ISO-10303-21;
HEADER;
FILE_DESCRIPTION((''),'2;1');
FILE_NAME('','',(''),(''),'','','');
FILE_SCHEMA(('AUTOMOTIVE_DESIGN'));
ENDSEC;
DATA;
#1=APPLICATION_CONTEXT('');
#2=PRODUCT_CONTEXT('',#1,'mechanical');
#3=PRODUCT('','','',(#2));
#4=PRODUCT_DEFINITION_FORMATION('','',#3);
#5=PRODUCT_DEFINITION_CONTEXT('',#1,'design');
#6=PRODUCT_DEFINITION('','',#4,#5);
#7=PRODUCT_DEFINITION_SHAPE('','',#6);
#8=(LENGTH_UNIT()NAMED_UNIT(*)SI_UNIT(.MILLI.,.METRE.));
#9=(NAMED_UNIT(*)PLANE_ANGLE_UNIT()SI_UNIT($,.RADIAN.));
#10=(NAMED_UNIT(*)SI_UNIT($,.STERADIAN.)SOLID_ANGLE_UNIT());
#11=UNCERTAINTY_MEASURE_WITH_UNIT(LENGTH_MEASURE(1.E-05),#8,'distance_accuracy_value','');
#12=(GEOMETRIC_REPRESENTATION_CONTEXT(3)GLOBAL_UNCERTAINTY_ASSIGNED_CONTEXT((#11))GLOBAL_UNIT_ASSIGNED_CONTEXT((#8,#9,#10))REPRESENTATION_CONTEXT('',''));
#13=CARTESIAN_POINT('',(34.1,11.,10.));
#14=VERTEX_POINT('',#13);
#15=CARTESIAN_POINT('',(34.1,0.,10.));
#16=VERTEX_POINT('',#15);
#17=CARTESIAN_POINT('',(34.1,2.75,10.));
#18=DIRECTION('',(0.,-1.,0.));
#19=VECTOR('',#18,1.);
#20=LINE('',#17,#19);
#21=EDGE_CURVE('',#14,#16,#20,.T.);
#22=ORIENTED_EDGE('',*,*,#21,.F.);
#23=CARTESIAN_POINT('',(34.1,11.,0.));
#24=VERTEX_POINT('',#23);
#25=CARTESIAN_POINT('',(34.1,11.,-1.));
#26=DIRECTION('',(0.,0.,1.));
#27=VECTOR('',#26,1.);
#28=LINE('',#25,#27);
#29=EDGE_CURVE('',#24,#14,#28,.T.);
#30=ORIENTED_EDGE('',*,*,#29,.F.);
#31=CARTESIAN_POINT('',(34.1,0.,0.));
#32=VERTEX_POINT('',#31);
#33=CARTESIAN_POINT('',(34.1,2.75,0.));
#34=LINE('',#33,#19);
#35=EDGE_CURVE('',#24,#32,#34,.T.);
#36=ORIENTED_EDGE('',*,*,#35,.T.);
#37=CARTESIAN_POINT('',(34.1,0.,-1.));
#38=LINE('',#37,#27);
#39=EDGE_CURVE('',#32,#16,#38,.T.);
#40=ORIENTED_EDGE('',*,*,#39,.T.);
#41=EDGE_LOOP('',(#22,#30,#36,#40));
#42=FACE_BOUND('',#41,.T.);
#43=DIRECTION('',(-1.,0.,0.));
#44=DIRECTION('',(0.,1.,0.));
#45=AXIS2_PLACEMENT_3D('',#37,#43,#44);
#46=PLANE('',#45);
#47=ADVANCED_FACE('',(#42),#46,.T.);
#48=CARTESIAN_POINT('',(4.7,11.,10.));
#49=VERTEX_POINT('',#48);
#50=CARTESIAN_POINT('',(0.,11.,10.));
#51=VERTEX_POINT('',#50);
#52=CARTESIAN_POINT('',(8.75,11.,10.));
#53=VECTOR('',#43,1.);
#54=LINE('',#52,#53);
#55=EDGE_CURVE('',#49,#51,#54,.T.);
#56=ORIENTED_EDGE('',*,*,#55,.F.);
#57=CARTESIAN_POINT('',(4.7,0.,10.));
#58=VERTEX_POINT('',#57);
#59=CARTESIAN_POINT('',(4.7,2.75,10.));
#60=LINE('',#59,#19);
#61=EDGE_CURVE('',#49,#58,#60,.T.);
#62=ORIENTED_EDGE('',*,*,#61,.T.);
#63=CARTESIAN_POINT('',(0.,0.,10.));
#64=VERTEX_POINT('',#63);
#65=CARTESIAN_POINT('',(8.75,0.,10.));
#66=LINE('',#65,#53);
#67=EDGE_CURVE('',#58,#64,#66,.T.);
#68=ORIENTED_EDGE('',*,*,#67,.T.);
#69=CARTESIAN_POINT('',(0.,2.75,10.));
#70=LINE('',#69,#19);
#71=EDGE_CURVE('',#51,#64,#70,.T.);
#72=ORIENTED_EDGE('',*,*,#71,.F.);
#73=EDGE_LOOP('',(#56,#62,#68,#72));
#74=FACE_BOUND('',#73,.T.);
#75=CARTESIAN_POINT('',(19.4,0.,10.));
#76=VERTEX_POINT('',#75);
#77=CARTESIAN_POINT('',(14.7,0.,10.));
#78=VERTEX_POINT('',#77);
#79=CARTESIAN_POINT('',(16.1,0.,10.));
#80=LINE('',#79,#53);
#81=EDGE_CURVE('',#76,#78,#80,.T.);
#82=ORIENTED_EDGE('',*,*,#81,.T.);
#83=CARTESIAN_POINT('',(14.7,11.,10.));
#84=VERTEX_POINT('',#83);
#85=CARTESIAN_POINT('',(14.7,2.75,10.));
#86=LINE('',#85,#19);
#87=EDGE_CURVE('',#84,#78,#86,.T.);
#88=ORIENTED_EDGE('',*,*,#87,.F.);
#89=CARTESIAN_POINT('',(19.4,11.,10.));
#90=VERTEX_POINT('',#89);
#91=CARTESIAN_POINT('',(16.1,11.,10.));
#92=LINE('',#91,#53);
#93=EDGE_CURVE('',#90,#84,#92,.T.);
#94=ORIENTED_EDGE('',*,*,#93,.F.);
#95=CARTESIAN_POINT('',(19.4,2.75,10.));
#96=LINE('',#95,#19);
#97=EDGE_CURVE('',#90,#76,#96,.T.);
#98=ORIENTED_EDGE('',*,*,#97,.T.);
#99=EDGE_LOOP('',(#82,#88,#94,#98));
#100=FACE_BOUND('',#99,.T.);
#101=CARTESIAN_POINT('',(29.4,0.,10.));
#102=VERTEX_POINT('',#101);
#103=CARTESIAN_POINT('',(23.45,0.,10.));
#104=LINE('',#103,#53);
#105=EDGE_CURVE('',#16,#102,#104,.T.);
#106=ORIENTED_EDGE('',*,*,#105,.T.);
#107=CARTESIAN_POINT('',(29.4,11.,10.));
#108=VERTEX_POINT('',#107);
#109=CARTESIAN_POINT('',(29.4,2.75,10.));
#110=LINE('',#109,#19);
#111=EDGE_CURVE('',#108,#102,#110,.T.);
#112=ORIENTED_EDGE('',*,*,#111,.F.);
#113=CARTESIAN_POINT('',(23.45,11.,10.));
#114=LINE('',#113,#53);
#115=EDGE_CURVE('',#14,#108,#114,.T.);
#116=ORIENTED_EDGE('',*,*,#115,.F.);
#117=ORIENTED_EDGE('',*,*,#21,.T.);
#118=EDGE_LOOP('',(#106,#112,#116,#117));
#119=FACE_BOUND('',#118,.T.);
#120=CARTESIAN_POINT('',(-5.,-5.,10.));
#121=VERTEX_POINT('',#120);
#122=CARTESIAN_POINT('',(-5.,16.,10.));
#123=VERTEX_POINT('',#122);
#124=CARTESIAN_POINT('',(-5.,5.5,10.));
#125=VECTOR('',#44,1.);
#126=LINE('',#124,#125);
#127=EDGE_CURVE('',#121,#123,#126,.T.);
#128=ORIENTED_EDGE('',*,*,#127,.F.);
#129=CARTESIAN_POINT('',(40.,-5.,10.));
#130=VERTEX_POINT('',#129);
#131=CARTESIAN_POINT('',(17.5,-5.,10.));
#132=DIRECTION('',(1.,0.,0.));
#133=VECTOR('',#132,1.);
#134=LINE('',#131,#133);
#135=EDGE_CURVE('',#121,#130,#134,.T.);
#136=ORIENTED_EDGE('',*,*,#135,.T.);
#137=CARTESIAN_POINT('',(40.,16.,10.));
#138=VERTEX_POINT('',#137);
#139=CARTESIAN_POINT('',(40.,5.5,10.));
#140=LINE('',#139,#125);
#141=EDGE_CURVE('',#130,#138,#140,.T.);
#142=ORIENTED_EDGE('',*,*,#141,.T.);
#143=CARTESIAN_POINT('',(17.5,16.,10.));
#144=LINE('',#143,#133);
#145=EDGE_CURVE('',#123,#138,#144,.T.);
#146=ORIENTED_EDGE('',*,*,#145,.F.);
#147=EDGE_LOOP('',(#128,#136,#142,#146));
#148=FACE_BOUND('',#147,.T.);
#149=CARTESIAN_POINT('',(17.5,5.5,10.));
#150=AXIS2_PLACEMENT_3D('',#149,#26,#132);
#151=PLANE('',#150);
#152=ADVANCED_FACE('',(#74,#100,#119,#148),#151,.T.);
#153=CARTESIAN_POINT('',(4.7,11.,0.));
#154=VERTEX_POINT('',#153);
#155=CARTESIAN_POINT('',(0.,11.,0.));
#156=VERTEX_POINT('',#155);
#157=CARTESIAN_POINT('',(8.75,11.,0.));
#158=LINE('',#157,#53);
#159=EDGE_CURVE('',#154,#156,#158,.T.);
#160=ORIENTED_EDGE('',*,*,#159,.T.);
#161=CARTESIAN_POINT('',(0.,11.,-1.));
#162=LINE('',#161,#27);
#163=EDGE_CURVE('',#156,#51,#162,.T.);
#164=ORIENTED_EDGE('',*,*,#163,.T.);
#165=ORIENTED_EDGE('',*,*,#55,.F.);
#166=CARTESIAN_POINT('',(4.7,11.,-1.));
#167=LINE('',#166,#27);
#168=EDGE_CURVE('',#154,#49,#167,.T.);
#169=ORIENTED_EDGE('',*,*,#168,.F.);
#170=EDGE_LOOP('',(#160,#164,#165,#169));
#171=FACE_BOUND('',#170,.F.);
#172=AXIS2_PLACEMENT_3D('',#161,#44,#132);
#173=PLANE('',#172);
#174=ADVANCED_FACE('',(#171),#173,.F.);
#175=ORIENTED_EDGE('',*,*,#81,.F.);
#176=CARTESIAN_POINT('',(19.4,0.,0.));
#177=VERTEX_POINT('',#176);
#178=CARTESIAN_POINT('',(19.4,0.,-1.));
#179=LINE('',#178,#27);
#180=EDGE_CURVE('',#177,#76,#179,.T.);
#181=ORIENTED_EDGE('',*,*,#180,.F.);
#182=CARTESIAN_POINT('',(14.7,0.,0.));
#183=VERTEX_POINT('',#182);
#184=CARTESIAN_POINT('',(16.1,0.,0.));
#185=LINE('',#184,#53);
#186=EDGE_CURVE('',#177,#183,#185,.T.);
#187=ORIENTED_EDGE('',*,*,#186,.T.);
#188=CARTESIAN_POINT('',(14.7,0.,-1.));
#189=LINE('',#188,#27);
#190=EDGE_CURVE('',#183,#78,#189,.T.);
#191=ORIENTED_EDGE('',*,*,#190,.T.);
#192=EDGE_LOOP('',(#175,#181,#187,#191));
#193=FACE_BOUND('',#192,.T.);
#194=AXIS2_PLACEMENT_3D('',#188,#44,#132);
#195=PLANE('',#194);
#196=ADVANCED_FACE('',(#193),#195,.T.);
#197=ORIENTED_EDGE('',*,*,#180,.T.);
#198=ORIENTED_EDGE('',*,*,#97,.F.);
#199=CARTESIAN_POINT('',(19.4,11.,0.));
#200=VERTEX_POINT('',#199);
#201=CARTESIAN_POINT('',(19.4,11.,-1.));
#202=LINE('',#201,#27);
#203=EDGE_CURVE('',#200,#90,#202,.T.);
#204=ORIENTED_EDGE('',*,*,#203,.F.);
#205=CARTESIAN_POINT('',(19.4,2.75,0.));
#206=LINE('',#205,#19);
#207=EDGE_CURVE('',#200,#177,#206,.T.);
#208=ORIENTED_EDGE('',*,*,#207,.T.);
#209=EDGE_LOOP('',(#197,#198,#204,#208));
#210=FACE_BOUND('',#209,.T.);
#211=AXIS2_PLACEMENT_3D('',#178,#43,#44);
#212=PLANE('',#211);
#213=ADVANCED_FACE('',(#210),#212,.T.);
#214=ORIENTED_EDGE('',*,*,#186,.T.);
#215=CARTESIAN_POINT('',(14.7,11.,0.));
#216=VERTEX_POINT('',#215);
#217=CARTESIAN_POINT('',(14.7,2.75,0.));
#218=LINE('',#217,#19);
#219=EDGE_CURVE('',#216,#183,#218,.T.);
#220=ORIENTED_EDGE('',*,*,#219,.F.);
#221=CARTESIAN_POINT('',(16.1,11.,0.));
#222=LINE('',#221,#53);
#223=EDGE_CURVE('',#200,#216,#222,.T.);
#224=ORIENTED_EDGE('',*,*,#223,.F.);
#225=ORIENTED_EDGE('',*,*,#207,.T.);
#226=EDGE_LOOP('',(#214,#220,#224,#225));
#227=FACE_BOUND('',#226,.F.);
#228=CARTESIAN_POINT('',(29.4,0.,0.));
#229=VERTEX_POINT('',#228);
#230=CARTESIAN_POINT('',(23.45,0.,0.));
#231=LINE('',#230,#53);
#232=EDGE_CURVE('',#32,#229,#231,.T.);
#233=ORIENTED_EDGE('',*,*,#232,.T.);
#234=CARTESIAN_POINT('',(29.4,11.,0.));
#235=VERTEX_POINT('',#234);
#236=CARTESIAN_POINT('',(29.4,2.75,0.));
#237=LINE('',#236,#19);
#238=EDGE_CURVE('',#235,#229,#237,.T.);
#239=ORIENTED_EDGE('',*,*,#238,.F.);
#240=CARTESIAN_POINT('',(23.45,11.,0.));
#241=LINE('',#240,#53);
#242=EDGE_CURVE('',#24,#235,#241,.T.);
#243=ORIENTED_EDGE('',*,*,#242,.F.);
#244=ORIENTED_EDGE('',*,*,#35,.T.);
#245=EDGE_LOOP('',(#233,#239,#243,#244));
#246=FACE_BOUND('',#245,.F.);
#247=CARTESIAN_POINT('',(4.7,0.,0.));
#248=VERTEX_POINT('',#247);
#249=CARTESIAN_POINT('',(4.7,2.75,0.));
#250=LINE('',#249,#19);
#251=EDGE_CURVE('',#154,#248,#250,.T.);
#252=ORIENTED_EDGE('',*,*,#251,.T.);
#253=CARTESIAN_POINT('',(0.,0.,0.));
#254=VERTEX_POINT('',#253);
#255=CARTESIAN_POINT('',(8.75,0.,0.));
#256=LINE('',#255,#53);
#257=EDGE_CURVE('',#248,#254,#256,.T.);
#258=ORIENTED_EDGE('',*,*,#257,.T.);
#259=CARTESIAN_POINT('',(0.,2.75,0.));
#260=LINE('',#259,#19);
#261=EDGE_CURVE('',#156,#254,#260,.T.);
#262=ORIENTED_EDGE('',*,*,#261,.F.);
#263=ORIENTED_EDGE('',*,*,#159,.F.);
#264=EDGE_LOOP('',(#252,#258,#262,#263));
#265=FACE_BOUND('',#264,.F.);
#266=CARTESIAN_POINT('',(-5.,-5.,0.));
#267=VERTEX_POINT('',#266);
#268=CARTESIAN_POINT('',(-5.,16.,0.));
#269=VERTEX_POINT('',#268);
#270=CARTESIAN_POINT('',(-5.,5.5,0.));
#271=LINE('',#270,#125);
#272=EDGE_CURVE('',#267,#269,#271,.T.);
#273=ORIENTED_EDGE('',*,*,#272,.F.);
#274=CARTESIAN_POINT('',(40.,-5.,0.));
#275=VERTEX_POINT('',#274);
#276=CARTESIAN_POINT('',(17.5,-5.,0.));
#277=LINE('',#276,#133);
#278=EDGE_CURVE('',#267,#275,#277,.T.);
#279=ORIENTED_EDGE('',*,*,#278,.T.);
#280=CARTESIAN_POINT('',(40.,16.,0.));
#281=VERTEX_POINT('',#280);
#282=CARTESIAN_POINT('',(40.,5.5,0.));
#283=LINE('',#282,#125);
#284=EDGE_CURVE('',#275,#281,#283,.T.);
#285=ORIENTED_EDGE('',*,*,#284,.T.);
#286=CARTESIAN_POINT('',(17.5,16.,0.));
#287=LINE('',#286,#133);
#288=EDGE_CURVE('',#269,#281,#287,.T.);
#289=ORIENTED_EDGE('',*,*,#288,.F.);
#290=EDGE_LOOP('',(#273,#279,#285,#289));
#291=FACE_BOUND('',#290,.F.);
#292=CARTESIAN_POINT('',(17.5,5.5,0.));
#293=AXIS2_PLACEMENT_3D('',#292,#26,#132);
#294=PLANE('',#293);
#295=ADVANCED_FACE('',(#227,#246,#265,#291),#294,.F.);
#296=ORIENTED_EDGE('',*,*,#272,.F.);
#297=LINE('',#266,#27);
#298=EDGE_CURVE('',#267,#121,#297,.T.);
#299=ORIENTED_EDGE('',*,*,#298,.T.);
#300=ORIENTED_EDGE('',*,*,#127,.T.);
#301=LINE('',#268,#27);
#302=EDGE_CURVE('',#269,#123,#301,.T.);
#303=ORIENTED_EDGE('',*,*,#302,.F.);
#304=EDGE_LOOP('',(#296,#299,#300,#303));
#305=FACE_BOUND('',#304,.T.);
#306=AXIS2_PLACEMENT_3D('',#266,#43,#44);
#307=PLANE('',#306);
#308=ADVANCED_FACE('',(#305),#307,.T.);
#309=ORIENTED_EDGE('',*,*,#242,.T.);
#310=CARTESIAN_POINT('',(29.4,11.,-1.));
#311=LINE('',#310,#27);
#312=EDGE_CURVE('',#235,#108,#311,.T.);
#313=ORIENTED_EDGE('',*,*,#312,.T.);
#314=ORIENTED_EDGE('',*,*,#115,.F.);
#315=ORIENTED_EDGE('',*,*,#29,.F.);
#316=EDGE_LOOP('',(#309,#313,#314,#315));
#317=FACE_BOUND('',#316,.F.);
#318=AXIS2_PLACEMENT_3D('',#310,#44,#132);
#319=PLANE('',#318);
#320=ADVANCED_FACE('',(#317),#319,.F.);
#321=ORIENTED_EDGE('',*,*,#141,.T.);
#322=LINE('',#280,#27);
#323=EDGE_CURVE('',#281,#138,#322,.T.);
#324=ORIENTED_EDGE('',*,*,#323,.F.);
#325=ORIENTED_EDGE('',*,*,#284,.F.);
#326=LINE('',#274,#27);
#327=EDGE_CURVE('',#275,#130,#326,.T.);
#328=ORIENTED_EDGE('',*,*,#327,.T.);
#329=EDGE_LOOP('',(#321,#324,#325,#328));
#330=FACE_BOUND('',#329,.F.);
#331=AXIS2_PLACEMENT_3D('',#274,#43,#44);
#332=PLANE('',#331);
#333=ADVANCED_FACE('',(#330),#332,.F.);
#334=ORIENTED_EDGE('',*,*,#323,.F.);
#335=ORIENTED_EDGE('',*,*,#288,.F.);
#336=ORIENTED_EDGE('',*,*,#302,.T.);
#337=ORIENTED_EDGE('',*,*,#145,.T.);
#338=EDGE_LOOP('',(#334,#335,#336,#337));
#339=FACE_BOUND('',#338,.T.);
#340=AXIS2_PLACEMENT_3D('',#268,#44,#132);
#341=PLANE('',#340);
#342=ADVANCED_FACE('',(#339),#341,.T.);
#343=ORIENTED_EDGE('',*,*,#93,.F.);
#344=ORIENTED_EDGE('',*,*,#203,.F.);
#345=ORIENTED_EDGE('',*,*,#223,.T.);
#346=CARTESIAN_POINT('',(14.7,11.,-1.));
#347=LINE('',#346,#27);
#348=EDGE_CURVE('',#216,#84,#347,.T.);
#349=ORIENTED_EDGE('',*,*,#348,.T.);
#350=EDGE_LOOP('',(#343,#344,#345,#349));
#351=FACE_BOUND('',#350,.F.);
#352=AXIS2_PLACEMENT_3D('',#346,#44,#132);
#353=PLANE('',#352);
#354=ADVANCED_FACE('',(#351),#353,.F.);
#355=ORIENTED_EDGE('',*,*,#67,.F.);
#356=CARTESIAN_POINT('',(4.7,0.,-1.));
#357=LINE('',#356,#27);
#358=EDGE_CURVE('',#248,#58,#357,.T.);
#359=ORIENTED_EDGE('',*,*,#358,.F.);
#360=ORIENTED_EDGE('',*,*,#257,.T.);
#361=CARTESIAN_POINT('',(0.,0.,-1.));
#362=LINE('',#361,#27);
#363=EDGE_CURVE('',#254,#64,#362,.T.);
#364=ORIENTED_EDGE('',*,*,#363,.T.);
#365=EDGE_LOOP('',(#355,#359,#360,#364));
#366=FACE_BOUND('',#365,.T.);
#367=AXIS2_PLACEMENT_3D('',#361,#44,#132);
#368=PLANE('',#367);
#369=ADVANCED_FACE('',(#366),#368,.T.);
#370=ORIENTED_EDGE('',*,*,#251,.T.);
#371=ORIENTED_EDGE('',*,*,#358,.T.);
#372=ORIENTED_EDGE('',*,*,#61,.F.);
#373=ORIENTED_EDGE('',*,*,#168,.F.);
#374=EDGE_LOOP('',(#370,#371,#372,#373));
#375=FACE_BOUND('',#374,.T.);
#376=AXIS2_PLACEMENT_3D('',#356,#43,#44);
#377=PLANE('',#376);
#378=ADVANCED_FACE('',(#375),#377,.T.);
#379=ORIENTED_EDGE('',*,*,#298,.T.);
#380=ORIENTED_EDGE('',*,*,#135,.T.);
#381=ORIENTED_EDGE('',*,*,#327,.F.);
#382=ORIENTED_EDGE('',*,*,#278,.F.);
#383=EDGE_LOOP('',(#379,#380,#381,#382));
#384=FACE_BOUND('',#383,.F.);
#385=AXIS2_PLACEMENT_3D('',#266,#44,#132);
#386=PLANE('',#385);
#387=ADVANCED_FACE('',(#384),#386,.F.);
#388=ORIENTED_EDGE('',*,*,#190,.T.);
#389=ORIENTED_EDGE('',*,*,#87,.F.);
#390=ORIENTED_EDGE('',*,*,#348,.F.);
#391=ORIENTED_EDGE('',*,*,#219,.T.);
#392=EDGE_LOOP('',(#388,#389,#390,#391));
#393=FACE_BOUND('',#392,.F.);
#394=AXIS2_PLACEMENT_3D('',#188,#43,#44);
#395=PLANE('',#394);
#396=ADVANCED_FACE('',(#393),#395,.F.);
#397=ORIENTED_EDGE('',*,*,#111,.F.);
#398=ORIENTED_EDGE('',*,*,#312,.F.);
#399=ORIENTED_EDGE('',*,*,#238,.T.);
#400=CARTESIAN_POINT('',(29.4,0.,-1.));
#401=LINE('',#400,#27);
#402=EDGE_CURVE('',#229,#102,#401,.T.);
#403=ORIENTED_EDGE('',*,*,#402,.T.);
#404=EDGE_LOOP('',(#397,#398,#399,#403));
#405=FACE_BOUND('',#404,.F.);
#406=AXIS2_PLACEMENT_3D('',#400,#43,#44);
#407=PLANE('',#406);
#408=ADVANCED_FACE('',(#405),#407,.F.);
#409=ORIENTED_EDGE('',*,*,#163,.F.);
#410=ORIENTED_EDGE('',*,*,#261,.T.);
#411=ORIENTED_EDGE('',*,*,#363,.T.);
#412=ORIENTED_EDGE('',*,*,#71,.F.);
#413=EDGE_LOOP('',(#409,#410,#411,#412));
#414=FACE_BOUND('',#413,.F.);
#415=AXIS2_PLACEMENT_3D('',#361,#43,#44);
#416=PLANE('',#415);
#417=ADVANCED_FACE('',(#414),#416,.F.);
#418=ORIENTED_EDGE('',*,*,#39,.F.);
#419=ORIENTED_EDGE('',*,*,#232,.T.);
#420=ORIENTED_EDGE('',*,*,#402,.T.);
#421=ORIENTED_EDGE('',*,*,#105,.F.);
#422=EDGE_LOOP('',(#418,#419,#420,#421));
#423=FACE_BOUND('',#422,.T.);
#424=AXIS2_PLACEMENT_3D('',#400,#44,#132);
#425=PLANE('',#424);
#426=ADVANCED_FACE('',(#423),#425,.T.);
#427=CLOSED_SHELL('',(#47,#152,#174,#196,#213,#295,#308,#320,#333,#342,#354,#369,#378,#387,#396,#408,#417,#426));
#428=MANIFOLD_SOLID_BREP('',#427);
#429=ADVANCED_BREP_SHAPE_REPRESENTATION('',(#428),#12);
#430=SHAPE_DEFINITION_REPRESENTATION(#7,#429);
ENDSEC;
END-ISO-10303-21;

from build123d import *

# Parameters (mm, degrees)
BOX_W        = 4.7
BOX_H        = 11
BOX_DEPTH    = 13
BOX001_W     = 4.7
BOX001_H     = 11
BOX001_DEPTH = 13
BOX002_W     = 4.7
BOX002_H     = 11
BOX002_DEPTH = 13
BOX003_W     = 45
BOX003_H     = 21
BOX003_DEPTH = 10


with BuildPart() as cub:
    # Box → Box (new body)
    with BuildSketch(Plane.XY.offset(-1)):
        with Locations((2.35, 5.5)):
            Rectangle(BOX_W, BOX_H)
    extrude(amount=BOX_DEPTH)


with BuildPart() as cub001:
    # Box001 → Box001 (new body)
    with BuildSketch(Plane(origin=(14.7, 0, -1), x_dir=(1, 0, 0), z_dir=(0, 0, 1))):
        with Locations((2.35, 5.5)):
            Rectangle(BOX001_W, BOX001_H)
    extrude(amount=BOX001_DEPTH)


with BuildPart() as cub002:
    # Box002 → Box002 (new body)
    with BuildSketch(Plane(origin=(29.4, 0, -1), x_dir=(1, 0, 0), z_dir=(0, 0, 1))):
        with Locations((2.35, 5.5)):
            Rectangle(BOX002_W, BOX002_H)
    extrude(amount=BOX002_DEPTH)


with BuildPart() as cut002:
    # Box003 → Box003 (new body)
    with BuildSketch(Plane(origin=(-5, -5, 0), x_dir=(1, 0, 0), z_dir=(0, 0, 1))):
        with Locations((22.5, 10.5)):
            Rectangle(BOX003_W, BOX003_H)
    extrude(amount=BOX003_DEPTH)

    # Cut: cut Cub002
    add(cub002.part, mode=Mode.SUBTRACT)

    # Cut001: cut Cub001
    add(cub001.part, mode=Mode.SUBTRACT)

    # Cut002: cut Cub
    add(cub.part, mode=Mode.SUBTRACT)


solid = cut002.part
